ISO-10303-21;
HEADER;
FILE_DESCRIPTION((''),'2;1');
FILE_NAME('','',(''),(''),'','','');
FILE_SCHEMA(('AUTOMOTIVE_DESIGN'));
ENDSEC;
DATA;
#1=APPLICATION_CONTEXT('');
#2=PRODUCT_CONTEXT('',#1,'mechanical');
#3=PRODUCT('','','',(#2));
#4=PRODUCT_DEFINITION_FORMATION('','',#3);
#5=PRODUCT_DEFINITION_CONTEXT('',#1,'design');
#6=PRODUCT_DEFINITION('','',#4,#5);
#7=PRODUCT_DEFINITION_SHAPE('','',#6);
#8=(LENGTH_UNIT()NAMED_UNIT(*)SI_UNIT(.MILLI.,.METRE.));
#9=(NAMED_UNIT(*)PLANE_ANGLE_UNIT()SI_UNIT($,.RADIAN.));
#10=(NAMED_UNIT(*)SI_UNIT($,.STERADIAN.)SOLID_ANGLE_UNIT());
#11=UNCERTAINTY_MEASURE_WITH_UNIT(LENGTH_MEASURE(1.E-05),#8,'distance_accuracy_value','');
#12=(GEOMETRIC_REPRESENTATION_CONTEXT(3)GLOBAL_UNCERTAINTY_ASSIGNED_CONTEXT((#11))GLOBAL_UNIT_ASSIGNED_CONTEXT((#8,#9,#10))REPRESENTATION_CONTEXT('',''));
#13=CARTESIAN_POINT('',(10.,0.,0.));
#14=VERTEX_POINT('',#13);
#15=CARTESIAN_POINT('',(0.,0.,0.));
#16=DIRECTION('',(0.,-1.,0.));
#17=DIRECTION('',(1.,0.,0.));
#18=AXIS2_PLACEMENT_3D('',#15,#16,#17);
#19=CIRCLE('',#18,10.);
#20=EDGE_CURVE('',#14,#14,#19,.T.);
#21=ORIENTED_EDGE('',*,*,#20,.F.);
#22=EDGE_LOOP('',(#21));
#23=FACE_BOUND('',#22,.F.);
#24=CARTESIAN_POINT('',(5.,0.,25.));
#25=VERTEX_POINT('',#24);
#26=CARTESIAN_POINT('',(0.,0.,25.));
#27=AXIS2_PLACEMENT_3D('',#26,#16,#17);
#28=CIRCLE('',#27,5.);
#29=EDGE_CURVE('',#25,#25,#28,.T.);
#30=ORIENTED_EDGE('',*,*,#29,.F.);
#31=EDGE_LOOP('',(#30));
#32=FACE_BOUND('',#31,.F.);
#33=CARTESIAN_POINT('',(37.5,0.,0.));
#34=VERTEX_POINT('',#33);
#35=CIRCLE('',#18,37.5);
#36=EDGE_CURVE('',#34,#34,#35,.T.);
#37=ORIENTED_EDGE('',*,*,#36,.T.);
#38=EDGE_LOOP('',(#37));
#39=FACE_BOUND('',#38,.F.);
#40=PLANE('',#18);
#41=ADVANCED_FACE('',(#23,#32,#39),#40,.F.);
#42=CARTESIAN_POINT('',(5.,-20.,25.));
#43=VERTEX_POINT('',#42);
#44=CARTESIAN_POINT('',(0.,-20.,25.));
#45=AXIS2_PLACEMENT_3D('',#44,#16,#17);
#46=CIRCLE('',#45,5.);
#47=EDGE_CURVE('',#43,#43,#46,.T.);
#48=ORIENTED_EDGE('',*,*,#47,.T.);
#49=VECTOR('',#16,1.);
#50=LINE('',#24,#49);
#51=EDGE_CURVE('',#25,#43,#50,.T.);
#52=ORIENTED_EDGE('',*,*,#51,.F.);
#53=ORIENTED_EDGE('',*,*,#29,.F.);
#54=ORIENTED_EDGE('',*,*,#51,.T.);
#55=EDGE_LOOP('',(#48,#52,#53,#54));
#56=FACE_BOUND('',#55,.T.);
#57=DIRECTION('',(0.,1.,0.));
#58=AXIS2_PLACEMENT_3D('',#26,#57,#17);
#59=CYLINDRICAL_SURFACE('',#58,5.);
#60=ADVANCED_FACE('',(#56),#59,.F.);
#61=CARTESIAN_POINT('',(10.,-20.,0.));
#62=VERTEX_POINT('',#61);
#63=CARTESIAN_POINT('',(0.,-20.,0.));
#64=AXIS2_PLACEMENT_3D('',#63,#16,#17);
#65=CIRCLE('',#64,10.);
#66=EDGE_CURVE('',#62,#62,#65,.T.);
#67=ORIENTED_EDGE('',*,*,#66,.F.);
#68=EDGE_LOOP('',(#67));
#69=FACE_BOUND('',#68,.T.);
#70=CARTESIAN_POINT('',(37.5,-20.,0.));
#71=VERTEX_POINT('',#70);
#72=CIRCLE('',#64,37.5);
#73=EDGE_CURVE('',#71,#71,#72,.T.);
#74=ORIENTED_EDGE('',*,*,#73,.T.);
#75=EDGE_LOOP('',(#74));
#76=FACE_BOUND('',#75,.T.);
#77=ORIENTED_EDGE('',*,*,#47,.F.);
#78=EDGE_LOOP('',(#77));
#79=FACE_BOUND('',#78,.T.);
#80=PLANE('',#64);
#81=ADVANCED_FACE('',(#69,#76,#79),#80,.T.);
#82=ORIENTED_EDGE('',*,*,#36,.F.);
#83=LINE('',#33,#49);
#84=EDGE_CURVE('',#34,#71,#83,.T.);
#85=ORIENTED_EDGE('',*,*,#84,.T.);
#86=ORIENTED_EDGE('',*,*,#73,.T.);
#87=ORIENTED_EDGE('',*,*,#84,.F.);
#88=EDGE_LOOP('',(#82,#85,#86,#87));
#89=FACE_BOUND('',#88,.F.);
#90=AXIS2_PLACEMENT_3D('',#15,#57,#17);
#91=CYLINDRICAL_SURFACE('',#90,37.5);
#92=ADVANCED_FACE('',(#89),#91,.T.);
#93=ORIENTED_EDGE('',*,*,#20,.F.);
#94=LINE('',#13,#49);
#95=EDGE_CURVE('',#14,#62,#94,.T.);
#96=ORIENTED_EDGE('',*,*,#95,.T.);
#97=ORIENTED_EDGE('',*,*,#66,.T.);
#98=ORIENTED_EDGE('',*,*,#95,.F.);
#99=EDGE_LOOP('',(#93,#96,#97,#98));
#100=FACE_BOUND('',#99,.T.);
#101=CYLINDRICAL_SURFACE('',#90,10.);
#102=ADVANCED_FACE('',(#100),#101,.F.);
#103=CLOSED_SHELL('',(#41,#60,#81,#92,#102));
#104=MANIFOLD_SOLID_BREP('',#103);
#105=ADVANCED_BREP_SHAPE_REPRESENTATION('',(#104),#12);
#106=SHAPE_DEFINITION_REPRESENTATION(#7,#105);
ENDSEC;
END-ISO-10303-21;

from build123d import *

# Parameters (mm, degrees)
F0_R     = 37.5
F0_R_2   = 10
F0_R_3   = 5
F1_DEPTH = 20


with BuildPart() as f1:
    # F0 (on Front) → F1 (new body)
    with BuildSketch(Plane.XZ):
        Circle(F0_R)
        Circle(F0_R_2, mode=Mode.SUBTRACT)
        with Locations((0, 25)):
            Circle(F0_R_3, mode=Mode.SUBTRACT)
    extrude(amount=F1_DEPTH)


solid = f1.part
